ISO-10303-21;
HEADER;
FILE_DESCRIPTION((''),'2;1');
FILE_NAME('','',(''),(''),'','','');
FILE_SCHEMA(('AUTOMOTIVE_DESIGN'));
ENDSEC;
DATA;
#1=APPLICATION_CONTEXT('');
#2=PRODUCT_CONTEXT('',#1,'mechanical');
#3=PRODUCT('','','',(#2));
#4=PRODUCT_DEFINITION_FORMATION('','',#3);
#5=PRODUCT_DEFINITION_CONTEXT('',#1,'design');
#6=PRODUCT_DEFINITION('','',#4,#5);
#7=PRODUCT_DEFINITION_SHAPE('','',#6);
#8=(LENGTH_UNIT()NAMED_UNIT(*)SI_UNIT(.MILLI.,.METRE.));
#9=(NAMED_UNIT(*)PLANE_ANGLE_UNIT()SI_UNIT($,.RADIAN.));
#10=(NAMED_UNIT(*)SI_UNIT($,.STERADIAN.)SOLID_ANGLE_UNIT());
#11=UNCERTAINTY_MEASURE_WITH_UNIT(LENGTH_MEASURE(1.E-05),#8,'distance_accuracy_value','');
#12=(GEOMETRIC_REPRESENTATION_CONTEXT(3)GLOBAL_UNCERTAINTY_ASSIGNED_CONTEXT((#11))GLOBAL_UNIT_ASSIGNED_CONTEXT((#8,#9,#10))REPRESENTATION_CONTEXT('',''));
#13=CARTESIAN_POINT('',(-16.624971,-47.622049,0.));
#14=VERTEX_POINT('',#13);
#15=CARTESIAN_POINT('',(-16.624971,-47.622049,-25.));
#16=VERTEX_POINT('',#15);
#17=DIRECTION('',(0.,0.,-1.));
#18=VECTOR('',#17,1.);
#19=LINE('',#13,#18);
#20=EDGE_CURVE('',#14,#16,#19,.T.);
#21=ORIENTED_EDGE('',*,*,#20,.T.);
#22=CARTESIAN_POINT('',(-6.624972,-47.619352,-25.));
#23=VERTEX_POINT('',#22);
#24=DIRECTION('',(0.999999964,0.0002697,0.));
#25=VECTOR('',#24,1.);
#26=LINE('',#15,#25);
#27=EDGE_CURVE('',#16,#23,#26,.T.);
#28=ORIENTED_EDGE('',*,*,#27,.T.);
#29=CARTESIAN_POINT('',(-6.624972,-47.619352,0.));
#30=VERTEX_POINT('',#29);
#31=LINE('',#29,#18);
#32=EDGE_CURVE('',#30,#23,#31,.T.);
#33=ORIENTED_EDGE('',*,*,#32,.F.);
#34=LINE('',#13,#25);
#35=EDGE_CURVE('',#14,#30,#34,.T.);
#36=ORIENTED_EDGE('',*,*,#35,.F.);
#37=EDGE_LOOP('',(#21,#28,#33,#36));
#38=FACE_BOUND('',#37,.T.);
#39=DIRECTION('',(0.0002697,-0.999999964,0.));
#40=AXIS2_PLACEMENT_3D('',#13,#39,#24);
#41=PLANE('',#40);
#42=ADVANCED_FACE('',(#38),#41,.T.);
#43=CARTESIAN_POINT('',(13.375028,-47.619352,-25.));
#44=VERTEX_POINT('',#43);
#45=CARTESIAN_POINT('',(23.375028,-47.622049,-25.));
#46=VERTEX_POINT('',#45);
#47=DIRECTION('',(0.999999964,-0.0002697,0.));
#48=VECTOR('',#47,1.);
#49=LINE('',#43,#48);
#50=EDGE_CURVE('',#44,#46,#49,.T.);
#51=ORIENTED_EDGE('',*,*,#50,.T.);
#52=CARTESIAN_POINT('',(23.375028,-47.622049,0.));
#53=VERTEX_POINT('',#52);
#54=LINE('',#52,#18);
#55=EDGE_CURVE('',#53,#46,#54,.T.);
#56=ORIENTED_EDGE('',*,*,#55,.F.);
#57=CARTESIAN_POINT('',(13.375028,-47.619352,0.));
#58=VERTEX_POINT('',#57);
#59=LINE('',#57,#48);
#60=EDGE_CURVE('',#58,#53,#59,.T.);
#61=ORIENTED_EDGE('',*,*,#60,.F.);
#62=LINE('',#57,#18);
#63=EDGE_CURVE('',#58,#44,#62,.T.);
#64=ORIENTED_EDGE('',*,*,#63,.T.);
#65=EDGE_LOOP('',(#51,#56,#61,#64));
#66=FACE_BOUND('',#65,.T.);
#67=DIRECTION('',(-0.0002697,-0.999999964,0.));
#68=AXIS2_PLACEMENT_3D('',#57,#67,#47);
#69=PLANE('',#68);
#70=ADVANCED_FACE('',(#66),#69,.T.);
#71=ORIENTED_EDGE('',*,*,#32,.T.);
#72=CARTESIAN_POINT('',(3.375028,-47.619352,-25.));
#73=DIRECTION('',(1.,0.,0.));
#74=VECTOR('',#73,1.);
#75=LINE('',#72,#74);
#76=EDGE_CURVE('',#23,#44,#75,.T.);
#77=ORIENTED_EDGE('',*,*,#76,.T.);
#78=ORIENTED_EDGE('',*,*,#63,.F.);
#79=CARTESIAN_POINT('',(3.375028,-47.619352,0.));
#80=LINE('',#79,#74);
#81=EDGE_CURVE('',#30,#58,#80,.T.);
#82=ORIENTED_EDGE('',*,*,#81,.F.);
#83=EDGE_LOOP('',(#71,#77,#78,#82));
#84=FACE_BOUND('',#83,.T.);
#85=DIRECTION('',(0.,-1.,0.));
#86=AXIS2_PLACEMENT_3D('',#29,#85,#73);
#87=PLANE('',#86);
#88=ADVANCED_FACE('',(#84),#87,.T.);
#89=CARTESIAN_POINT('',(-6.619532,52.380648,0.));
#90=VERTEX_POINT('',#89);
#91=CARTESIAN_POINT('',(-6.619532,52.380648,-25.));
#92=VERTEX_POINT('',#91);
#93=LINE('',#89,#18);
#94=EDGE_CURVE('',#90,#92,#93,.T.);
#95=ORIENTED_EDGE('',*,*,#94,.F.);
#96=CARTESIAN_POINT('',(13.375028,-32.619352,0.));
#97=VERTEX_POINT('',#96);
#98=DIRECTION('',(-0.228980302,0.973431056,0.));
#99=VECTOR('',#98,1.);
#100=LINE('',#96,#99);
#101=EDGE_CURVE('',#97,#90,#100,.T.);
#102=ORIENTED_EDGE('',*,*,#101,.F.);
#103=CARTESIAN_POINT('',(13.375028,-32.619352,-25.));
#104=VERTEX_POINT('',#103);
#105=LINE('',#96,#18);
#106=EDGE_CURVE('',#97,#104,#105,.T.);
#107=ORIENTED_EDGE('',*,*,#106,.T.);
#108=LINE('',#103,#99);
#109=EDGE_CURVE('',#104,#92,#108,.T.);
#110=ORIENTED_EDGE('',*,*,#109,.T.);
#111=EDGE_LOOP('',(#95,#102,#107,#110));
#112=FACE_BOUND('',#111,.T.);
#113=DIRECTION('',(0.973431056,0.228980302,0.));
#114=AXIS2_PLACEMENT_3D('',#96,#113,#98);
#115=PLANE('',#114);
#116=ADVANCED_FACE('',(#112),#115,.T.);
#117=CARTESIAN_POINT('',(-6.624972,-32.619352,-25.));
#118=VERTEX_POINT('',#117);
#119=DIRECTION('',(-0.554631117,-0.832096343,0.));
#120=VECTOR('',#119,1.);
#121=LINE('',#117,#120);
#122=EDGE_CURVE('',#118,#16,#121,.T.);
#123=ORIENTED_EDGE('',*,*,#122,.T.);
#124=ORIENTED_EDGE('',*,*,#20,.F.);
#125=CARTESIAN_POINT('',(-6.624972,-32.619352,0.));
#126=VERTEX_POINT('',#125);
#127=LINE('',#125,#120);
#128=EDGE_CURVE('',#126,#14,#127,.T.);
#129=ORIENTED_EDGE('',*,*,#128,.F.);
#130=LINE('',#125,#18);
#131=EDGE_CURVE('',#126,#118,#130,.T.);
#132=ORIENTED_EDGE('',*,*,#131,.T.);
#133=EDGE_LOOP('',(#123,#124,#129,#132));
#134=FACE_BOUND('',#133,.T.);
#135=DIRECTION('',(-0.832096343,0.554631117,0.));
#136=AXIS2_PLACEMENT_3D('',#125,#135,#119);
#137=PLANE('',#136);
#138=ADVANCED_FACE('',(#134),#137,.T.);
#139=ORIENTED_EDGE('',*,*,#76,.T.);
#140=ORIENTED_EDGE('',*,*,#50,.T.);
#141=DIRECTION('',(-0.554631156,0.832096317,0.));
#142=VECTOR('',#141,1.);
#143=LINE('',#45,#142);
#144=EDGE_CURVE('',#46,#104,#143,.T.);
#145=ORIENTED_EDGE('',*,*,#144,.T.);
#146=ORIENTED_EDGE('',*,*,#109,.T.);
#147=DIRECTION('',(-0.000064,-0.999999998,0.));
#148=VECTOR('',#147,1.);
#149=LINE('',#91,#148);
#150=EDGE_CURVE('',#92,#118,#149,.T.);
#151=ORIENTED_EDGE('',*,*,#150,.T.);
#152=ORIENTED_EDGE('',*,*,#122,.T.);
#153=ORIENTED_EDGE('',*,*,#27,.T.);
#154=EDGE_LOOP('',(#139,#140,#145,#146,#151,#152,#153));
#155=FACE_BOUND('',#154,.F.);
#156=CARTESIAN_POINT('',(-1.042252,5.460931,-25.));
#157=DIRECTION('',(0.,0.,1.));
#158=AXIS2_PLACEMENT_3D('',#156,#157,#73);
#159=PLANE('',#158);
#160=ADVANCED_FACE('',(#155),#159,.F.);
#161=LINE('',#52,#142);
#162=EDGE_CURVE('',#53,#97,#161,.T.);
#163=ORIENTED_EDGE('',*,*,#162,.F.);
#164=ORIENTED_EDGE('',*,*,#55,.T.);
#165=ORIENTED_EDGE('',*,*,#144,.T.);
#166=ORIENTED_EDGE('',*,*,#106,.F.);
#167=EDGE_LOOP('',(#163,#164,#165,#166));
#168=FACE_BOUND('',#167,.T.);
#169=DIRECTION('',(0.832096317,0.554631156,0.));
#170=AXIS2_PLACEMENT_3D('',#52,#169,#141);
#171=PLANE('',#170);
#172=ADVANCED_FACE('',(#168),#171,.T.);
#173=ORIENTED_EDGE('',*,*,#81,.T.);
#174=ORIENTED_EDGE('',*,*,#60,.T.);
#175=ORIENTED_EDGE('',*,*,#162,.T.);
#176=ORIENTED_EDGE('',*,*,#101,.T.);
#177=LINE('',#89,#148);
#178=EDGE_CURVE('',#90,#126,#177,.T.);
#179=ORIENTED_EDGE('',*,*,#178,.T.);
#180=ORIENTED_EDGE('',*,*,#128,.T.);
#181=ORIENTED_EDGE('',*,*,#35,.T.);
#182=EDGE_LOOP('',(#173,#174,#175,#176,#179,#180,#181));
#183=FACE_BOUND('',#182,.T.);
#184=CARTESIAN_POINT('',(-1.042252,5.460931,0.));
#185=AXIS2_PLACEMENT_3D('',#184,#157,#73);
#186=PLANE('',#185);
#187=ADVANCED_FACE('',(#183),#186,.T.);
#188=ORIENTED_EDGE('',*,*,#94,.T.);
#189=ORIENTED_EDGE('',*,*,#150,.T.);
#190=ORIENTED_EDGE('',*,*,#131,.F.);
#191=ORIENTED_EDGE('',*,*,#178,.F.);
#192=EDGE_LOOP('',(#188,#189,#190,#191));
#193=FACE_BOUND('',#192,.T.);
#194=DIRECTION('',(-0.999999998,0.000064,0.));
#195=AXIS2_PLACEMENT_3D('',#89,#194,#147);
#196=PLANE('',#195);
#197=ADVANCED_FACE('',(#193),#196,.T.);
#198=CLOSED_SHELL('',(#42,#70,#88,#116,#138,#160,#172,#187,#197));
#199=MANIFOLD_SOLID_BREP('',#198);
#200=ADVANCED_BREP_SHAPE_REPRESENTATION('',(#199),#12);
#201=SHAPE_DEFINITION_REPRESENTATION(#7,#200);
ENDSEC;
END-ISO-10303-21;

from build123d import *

# Parameters (mm, degrees)
F0_W     = 20
F0_H     = 15
F1_DEPTH = 25


with BuildPart() as f1:
    # F0 (on Top) → F1 (new body)
    with BuildSketch(Plane.XY):
        Polygon((-6.619532, 52.380648), (-6.624972, -32.619352), (13.375028, -32.619352), align=None)
        with Locations((3.375028, -40.119352)):
            Rectangle(F0_W, F0_H)
        Polygon((-6.624972, -47.619352), (-6.624972, -32.619352), (-16.624971, -47.622049), align=None)
        Polygon((23.375028, -47.622049), (13.375028, -32.619352), (13.375028, -47.619352), align=None)
    extrude(amount=-F1_DEPTH)


solid = f1.part
